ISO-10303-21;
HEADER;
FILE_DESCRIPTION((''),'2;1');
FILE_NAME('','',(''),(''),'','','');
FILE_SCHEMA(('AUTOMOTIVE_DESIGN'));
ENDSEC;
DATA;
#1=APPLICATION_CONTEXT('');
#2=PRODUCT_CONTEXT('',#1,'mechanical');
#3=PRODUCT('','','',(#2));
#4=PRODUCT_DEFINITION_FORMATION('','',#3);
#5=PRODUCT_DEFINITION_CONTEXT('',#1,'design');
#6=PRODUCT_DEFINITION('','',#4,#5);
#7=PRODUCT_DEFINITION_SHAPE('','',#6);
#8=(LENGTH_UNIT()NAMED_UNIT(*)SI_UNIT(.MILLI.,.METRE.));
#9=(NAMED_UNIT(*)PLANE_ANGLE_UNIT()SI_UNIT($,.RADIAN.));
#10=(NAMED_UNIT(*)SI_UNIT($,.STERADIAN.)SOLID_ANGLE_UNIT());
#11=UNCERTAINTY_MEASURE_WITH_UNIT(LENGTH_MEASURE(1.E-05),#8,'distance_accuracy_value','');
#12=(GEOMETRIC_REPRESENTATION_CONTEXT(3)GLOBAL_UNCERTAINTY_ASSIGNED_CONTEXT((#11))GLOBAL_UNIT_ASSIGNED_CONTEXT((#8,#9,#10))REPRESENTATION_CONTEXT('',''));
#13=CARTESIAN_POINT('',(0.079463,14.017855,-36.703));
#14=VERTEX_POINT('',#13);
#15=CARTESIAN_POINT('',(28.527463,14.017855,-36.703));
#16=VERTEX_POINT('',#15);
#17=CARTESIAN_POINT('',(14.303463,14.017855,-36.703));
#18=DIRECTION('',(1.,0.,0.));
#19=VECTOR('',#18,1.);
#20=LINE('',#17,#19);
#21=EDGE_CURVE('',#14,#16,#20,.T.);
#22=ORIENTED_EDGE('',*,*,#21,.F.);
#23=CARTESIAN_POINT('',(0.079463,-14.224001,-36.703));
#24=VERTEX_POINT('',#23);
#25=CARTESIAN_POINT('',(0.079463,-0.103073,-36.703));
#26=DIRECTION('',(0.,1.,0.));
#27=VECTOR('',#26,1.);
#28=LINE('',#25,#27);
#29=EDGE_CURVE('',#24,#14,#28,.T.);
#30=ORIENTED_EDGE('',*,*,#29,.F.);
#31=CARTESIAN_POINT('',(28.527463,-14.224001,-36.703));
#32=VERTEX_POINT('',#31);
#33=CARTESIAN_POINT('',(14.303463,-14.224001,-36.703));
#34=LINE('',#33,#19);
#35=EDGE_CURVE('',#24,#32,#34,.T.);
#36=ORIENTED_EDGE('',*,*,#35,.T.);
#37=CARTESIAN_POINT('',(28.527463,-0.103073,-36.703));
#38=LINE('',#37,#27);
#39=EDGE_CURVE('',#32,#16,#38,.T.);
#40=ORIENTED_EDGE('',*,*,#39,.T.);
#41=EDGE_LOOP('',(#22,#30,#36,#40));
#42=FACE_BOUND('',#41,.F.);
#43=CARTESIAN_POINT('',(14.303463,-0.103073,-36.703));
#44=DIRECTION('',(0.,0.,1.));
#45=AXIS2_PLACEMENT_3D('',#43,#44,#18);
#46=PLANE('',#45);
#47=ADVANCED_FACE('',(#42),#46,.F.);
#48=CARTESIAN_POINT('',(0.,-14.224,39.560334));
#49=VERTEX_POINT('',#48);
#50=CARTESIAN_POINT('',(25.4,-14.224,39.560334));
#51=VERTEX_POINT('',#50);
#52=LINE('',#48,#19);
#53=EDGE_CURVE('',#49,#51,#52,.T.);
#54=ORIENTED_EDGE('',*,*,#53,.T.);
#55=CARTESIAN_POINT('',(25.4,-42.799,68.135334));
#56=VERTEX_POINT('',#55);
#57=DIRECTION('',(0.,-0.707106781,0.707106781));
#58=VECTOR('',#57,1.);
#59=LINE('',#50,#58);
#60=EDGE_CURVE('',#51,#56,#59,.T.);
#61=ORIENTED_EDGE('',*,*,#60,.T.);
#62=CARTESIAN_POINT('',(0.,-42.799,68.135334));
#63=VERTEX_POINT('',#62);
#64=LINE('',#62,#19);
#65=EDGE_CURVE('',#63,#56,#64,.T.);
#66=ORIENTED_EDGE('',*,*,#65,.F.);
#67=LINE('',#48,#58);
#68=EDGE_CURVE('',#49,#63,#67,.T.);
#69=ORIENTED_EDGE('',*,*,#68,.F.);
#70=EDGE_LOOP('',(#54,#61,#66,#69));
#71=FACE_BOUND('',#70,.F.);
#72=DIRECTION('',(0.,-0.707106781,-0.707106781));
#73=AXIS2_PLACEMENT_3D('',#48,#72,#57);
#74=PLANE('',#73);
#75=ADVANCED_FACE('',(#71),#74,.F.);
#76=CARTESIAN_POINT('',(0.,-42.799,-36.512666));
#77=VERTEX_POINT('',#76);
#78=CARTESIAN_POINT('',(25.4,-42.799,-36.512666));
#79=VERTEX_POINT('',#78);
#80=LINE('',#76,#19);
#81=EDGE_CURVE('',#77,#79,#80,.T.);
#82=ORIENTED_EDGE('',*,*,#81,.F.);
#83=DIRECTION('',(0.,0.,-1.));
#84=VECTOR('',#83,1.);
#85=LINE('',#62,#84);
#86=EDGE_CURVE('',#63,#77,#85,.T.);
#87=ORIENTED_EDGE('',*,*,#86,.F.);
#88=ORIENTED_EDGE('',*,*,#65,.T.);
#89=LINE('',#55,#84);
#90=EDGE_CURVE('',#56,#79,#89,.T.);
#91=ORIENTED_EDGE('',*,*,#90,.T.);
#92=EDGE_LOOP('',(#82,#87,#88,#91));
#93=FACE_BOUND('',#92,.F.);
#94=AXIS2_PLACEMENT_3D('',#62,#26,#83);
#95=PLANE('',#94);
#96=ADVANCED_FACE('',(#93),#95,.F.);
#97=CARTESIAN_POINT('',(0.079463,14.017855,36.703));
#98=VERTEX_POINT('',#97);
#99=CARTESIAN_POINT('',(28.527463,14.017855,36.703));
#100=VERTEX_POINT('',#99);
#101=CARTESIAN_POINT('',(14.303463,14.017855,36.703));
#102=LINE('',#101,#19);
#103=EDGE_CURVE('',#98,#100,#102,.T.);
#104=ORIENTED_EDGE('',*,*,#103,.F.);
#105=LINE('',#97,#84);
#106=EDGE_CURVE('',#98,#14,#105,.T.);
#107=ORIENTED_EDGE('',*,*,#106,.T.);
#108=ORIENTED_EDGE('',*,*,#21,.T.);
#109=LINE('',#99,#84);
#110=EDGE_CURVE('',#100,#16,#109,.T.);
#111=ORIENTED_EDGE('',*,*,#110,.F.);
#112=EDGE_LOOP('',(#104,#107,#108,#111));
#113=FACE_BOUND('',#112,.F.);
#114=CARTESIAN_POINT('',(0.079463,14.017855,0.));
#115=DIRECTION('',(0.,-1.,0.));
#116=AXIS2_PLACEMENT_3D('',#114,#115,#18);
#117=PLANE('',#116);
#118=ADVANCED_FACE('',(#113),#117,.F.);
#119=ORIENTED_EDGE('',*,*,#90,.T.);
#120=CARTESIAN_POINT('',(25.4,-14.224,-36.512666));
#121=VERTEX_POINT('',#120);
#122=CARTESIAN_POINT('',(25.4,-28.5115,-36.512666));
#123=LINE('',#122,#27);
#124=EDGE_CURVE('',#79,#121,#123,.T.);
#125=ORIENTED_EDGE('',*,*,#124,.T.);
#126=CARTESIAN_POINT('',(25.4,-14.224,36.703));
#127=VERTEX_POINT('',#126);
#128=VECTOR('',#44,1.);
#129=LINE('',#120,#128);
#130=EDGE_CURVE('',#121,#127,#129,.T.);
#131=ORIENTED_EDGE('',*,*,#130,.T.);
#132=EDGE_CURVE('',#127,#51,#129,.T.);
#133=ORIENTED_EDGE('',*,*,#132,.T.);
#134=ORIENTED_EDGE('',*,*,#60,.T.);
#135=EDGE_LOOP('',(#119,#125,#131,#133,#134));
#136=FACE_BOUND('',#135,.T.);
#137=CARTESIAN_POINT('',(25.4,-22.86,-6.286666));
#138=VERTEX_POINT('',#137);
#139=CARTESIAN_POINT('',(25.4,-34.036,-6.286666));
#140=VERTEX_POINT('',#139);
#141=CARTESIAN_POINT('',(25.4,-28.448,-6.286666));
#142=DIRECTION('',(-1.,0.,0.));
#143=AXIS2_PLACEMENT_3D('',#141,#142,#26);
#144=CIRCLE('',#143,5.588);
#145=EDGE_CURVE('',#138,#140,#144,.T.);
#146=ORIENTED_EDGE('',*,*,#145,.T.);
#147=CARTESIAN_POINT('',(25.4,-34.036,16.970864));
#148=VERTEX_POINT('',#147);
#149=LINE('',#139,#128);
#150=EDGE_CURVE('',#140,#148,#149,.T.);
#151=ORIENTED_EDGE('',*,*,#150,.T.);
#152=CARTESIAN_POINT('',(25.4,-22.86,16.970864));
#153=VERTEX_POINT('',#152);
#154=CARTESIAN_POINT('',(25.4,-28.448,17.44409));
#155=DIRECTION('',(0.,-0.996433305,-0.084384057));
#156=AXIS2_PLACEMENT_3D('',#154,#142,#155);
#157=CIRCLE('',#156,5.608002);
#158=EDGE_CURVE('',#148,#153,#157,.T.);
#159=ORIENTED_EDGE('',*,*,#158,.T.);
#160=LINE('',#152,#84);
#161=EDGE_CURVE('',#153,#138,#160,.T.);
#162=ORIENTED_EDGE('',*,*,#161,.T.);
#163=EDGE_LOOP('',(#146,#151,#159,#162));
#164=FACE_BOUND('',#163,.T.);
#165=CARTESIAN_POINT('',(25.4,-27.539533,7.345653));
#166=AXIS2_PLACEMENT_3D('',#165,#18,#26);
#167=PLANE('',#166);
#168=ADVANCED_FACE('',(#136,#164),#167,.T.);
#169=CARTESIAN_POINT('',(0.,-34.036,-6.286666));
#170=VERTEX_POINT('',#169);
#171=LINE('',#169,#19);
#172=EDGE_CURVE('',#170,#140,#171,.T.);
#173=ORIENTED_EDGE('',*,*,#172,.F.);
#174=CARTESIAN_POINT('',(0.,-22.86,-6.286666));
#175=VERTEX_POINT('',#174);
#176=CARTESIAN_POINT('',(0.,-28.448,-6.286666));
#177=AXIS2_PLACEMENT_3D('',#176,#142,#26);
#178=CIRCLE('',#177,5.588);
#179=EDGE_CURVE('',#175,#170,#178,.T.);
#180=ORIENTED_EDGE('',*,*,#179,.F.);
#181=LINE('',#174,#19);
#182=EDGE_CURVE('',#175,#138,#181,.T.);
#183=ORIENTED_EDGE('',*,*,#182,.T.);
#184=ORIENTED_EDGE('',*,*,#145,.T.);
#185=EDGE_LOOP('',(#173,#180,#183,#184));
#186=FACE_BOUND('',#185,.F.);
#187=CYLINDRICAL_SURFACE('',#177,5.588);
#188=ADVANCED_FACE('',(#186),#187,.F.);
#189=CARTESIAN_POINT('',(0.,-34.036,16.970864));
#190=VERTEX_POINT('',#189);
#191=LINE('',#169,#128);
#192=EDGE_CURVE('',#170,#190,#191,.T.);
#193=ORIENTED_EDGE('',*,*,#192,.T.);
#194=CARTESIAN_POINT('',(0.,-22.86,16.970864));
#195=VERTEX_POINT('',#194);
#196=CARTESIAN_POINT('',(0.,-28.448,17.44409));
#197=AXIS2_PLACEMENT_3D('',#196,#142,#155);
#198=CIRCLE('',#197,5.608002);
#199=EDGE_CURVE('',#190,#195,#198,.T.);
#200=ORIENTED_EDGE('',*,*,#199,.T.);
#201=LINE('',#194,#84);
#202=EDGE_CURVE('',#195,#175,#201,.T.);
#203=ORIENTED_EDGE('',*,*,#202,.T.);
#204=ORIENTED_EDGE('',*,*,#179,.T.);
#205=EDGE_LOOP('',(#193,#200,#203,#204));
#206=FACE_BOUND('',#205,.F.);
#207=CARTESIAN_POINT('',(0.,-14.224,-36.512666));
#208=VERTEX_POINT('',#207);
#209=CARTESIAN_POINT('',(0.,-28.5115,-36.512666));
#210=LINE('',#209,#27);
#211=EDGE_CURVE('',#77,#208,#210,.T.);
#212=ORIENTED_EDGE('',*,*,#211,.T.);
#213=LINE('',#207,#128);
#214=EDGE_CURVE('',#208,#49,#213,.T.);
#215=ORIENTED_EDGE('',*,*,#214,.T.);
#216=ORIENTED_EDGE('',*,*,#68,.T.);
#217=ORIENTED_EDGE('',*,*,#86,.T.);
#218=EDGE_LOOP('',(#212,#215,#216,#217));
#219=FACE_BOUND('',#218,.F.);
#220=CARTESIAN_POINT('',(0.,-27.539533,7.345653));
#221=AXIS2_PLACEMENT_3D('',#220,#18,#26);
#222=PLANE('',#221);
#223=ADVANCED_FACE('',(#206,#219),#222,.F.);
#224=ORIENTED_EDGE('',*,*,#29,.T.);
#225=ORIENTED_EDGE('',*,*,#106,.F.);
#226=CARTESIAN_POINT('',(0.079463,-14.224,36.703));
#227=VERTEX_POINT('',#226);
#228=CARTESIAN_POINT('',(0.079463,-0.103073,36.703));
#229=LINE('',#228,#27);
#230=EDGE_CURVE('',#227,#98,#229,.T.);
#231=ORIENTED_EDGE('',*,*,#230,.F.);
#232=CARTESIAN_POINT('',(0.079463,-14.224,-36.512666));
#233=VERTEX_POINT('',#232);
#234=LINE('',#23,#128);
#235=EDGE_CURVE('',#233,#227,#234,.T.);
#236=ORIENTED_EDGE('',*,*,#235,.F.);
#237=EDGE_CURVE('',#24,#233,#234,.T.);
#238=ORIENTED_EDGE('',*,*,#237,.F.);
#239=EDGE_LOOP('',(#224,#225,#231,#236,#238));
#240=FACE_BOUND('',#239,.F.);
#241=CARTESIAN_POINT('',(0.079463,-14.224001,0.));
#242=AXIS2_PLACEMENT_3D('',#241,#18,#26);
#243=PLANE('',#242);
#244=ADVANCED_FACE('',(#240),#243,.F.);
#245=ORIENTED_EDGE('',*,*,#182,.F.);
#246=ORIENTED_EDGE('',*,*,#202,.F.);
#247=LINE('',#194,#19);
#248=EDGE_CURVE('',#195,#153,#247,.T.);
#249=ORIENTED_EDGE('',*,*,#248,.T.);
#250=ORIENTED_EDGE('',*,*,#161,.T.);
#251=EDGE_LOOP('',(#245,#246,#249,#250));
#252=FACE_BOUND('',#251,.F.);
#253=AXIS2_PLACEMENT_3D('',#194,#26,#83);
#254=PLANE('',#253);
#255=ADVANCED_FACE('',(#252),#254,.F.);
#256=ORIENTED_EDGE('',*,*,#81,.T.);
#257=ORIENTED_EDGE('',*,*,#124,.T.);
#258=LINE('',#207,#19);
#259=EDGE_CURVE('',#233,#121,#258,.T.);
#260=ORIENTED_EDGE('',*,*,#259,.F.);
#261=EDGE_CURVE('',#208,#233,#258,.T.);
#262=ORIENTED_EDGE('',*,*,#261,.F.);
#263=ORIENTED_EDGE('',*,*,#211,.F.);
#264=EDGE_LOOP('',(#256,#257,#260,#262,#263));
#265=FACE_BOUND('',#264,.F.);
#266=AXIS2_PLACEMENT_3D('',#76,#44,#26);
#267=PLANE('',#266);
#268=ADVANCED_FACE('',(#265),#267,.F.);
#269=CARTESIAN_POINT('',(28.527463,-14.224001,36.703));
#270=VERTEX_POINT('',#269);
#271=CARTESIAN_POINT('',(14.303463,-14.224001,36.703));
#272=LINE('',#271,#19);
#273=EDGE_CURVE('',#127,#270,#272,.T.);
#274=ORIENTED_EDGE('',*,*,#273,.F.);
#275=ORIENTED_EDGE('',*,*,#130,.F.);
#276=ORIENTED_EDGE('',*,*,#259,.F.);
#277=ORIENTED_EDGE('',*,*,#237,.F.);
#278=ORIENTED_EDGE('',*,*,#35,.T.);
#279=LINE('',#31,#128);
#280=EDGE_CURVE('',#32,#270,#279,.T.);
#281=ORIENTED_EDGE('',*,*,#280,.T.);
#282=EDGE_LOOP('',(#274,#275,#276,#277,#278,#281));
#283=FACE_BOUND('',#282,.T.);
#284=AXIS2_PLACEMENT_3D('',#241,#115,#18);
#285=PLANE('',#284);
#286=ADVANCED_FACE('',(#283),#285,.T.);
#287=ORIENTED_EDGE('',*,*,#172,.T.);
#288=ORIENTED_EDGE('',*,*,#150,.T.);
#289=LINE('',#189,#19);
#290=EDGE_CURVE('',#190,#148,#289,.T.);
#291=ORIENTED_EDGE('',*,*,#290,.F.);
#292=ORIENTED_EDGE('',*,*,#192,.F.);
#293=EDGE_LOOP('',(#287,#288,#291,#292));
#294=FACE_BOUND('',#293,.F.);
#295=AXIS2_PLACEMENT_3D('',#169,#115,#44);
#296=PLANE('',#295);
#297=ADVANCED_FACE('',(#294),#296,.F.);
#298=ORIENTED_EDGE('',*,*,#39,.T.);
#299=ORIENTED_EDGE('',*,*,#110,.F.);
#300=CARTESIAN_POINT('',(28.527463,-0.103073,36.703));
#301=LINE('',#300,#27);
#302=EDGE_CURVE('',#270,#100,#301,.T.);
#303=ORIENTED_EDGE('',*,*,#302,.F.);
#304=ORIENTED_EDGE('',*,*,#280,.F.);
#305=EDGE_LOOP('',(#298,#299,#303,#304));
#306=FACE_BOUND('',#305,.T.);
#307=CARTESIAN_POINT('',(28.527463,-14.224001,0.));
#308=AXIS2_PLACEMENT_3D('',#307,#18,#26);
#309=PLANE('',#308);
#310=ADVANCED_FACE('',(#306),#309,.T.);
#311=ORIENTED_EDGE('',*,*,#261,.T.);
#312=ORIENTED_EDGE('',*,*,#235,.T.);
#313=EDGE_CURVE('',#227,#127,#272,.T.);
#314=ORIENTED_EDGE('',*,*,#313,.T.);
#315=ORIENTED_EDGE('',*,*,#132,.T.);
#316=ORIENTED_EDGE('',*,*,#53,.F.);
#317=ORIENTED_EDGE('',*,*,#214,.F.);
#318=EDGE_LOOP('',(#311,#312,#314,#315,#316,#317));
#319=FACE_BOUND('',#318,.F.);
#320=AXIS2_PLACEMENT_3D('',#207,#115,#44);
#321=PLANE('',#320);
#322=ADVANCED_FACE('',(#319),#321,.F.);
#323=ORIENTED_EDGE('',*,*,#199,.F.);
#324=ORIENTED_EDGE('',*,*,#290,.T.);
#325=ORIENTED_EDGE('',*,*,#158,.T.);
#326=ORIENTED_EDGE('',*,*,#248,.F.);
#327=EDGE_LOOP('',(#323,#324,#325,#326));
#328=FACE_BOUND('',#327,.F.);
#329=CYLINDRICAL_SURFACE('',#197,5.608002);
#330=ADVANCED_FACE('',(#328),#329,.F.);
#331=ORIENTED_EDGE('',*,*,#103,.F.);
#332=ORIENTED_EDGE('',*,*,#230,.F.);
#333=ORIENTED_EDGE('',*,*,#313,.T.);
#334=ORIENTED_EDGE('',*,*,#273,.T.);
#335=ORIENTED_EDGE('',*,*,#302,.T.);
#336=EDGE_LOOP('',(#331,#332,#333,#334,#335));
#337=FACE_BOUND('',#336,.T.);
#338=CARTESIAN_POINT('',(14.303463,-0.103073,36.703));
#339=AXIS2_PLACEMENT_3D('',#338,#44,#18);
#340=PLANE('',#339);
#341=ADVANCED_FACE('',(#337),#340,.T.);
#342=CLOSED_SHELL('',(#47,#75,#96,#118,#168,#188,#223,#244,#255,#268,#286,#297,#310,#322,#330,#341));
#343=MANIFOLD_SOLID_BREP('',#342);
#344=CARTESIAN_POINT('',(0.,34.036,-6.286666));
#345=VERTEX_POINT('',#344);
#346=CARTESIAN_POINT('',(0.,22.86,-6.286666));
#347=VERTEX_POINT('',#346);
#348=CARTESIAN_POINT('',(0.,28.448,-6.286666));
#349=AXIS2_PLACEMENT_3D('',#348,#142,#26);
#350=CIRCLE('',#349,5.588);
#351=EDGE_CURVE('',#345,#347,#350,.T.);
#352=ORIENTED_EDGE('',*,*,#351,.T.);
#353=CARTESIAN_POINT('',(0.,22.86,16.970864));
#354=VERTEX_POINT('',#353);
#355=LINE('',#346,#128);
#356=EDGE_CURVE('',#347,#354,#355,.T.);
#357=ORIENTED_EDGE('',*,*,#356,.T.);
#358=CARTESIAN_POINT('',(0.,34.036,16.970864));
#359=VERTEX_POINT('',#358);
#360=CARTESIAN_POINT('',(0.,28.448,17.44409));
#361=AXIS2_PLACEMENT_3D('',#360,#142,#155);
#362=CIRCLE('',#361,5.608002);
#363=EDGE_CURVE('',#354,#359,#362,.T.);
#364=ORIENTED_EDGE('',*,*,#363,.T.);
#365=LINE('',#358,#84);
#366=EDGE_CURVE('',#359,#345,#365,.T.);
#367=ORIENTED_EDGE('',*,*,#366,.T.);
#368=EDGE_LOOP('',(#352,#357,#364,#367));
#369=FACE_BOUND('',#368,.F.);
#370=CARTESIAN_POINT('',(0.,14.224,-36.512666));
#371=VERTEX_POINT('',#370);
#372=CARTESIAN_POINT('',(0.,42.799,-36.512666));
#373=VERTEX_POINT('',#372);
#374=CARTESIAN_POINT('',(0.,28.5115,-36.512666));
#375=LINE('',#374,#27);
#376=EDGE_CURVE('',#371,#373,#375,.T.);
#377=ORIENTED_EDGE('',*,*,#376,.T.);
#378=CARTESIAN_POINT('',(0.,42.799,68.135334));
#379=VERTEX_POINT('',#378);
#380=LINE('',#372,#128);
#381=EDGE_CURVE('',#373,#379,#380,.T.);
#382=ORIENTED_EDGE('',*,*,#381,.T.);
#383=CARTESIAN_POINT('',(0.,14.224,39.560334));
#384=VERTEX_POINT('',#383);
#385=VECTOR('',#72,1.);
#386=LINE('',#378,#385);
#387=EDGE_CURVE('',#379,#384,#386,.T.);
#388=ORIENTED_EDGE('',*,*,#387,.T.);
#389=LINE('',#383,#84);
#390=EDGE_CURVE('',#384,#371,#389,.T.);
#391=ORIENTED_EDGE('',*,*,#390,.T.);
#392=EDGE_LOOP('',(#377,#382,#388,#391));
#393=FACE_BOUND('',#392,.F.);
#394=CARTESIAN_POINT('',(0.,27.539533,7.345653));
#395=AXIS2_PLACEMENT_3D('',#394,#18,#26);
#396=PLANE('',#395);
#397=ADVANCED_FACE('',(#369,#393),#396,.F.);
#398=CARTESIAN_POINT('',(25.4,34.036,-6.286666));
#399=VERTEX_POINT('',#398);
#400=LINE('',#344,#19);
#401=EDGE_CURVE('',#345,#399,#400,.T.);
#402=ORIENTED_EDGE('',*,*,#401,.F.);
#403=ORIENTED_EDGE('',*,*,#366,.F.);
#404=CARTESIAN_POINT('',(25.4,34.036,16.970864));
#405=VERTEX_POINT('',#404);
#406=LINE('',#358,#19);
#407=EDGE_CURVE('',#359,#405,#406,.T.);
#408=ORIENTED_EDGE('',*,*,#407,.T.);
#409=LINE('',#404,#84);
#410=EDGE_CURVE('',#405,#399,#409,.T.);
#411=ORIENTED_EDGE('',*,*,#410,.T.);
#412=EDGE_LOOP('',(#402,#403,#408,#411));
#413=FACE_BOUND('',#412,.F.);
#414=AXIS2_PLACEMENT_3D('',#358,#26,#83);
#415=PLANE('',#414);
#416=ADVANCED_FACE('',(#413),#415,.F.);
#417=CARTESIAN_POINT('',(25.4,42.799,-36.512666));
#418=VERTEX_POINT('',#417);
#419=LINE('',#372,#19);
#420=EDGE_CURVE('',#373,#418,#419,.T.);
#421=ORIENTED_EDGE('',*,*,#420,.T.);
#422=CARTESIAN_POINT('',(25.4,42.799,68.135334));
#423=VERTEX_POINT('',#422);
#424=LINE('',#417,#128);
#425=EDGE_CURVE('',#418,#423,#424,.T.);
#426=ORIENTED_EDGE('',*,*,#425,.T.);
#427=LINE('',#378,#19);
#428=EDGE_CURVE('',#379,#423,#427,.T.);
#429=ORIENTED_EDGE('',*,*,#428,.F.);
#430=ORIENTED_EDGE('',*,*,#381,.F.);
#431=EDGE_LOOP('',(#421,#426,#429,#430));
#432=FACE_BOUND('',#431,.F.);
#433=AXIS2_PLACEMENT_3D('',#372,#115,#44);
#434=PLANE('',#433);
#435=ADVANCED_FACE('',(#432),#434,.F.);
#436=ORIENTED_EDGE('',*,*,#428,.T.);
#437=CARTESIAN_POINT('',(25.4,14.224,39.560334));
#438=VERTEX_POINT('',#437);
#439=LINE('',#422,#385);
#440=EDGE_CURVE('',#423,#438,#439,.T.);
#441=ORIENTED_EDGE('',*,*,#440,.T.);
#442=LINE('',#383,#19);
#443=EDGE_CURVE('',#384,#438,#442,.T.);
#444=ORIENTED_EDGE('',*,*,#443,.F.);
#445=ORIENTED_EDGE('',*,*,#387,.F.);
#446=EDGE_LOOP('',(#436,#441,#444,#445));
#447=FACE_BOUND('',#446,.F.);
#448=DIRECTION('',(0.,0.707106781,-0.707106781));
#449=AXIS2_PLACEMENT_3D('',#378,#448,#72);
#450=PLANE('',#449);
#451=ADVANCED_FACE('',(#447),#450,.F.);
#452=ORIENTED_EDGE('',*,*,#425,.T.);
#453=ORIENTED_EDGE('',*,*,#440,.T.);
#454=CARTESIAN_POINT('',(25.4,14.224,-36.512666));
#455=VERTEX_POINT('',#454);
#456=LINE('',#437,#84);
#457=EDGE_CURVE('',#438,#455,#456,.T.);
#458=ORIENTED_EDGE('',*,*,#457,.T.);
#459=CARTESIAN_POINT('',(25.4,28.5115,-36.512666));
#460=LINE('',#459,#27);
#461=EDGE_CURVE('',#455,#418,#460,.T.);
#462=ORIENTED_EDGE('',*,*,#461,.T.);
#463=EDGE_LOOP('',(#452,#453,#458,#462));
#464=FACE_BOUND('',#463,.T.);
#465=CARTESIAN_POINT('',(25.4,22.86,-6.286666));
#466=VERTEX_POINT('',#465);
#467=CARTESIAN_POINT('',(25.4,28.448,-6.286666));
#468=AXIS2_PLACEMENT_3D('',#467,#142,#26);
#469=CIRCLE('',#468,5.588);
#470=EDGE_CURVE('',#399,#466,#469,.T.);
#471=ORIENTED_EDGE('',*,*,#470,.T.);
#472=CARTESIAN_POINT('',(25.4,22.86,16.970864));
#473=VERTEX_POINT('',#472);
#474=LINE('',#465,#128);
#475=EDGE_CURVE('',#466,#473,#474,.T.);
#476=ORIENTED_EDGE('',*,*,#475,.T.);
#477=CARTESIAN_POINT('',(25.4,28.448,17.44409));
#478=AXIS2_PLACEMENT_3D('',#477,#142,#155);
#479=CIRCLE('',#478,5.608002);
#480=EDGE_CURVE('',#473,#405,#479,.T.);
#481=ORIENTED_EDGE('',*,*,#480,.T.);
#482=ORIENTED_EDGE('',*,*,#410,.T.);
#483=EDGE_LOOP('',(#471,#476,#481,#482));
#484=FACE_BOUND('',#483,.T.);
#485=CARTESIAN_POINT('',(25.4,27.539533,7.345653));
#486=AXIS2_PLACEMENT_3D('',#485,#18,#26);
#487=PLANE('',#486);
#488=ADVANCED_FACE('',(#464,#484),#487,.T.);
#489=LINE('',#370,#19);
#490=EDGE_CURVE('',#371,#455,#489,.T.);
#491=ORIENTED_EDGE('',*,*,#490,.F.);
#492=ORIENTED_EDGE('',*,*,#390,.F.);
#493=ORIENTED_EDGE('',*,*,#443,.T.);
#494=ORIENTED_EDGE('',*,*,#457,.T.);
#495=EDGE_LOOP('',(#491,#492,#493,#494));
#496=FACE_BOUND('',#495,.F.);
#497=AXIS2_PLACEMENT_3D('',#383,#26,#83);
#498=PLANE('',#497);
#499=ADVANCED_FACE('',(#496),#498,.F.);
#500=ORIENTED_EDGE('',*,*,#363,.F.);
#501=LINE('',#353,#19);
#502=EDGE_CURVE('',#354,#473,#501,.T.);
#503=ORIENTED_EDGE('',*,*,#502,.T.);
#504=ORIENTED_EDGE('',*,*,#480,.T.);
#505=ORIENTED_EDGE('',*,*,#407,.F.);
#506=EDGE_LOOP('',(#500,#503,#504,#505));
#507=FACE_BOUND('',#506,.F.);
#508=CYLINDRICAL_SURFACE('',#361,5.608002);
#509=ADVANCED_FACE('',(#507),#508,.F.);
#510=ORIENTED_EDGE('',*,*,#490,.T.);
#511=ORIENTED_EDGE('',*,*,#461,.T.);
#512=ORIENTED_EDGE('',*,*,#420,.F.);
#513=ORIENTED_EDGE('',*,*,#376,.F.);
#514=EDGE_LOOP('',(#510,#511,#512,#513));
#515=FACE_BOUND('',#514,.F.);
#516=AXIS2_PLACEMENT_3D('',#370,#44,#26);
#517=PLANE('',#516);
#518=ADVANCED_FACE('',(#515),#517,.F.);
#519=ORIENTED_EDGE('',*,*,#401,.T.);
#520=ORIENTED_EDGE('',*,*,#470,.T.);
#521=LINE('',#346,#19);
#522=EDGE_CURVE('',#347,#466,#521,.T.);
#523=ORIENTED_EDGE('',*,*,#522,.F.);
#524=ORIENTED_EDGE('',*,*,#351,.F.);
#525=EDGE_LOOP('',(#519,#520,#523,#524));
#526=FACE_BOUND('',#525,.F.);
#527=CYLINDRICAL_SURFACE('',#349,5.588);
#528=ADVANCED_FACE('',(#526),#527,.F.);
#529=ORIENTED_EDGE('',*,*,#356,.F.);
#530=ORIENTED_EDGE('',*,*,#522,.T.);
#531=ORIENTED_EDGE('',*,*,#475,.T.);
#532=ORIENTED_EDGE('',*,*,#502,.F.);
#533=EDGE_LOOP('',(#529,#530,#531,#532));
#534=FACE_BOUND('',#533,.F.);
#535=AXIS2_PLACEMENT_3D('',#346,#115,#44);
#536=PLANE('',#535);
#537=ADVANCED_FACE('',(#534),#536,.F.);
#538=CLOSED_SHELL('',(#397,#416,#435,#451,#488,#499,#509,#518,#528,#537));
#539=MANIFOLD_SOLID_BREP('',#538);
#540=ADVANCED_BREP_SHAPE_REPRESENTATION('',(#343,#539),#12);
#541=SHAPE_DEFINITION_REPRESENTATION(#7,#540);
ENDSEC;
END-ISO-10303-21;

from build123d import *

# Parameters (mm, degrees)
F0_W     = 28.448
F0_H     = 28.241855
F1_DEPTH = 36.703
F2_W     = 28.575
F2_H     = 6.35
F3_DEPTH = 25.4


with BuildPart() as f1:
    # F0 (on Top) → F1 (new body, symmetric)
    with BuildSketch(Plane.XY):
        with Locations((14.303463, -0.103073)):
            Rectangle(F0_W, F0_H)
    extrude(amount=F1_DEPTH, both=True)

    # F2 (on Right) → F3 (join)
    with BuildSketch(Plane.YZ):
        Polygon((-42.799, -30.162666), (-14.224, -30.162666), (-14.224, 39.560334), (-25.273, 50.609334), (-25.273, 32.120805), (-42.799, 32.120805), align=None)
        with BuildLine():
            ThreePointArc((-22.86, -6.286666), (-28.448, -11.874666), (-34.036, -6.286666))
            Line((-34.036, -6.286666), (-34.036, 16.970864))
            ThreePointArc((-34.036, 16.970864), (-28.448, 23.052092), (-22.86, 16.970864))
            Line((-22.86, 16.970864), (-22.86, -6.286666))
        make_face(mode=Mode.SUBTRACT)
        Polygon((-42.799, 68.135334), (-42.799, 32.120805), (-25.273, 32.120805), (-25.273, 50.609334), align=None)
        with Locations((-28.5115, -33.337666)):
            Rectangle(F2_W, F2_H)
        Polygon((14.224, -30.162666), (42.799, -30.162666), (42.799, 32.120805), (25.273, 32.120805), (25.273, 50.609334), (14.224, 39.560334), align=None)
        with BuildLine():
            Line((22.86, -6.286666), (22.86, 16.970864))
            ThreePointArc((22.86, 16.970864), (28.448, 23.052092), (34.036, 16.970864))
            Line((34.036, 16.970864), (34.036, -6.286666))
            ThreePointArc((34.036, -6.286666), (28.448, -11.874666), (22.86, -6.286666))
        make_face(mode=Mode.SUBTRACT)
        with Locations((28.5115, -33.337666)):
            Rectangle(F2_W, F2_H)
        Polygon((25.273, 32.120805), (42.799, 32.120805), (42.799, 68.135334), (25.273, 50.609334), align=None)
    extrude(amount=F3_DEPTH)


solid = f1.part
